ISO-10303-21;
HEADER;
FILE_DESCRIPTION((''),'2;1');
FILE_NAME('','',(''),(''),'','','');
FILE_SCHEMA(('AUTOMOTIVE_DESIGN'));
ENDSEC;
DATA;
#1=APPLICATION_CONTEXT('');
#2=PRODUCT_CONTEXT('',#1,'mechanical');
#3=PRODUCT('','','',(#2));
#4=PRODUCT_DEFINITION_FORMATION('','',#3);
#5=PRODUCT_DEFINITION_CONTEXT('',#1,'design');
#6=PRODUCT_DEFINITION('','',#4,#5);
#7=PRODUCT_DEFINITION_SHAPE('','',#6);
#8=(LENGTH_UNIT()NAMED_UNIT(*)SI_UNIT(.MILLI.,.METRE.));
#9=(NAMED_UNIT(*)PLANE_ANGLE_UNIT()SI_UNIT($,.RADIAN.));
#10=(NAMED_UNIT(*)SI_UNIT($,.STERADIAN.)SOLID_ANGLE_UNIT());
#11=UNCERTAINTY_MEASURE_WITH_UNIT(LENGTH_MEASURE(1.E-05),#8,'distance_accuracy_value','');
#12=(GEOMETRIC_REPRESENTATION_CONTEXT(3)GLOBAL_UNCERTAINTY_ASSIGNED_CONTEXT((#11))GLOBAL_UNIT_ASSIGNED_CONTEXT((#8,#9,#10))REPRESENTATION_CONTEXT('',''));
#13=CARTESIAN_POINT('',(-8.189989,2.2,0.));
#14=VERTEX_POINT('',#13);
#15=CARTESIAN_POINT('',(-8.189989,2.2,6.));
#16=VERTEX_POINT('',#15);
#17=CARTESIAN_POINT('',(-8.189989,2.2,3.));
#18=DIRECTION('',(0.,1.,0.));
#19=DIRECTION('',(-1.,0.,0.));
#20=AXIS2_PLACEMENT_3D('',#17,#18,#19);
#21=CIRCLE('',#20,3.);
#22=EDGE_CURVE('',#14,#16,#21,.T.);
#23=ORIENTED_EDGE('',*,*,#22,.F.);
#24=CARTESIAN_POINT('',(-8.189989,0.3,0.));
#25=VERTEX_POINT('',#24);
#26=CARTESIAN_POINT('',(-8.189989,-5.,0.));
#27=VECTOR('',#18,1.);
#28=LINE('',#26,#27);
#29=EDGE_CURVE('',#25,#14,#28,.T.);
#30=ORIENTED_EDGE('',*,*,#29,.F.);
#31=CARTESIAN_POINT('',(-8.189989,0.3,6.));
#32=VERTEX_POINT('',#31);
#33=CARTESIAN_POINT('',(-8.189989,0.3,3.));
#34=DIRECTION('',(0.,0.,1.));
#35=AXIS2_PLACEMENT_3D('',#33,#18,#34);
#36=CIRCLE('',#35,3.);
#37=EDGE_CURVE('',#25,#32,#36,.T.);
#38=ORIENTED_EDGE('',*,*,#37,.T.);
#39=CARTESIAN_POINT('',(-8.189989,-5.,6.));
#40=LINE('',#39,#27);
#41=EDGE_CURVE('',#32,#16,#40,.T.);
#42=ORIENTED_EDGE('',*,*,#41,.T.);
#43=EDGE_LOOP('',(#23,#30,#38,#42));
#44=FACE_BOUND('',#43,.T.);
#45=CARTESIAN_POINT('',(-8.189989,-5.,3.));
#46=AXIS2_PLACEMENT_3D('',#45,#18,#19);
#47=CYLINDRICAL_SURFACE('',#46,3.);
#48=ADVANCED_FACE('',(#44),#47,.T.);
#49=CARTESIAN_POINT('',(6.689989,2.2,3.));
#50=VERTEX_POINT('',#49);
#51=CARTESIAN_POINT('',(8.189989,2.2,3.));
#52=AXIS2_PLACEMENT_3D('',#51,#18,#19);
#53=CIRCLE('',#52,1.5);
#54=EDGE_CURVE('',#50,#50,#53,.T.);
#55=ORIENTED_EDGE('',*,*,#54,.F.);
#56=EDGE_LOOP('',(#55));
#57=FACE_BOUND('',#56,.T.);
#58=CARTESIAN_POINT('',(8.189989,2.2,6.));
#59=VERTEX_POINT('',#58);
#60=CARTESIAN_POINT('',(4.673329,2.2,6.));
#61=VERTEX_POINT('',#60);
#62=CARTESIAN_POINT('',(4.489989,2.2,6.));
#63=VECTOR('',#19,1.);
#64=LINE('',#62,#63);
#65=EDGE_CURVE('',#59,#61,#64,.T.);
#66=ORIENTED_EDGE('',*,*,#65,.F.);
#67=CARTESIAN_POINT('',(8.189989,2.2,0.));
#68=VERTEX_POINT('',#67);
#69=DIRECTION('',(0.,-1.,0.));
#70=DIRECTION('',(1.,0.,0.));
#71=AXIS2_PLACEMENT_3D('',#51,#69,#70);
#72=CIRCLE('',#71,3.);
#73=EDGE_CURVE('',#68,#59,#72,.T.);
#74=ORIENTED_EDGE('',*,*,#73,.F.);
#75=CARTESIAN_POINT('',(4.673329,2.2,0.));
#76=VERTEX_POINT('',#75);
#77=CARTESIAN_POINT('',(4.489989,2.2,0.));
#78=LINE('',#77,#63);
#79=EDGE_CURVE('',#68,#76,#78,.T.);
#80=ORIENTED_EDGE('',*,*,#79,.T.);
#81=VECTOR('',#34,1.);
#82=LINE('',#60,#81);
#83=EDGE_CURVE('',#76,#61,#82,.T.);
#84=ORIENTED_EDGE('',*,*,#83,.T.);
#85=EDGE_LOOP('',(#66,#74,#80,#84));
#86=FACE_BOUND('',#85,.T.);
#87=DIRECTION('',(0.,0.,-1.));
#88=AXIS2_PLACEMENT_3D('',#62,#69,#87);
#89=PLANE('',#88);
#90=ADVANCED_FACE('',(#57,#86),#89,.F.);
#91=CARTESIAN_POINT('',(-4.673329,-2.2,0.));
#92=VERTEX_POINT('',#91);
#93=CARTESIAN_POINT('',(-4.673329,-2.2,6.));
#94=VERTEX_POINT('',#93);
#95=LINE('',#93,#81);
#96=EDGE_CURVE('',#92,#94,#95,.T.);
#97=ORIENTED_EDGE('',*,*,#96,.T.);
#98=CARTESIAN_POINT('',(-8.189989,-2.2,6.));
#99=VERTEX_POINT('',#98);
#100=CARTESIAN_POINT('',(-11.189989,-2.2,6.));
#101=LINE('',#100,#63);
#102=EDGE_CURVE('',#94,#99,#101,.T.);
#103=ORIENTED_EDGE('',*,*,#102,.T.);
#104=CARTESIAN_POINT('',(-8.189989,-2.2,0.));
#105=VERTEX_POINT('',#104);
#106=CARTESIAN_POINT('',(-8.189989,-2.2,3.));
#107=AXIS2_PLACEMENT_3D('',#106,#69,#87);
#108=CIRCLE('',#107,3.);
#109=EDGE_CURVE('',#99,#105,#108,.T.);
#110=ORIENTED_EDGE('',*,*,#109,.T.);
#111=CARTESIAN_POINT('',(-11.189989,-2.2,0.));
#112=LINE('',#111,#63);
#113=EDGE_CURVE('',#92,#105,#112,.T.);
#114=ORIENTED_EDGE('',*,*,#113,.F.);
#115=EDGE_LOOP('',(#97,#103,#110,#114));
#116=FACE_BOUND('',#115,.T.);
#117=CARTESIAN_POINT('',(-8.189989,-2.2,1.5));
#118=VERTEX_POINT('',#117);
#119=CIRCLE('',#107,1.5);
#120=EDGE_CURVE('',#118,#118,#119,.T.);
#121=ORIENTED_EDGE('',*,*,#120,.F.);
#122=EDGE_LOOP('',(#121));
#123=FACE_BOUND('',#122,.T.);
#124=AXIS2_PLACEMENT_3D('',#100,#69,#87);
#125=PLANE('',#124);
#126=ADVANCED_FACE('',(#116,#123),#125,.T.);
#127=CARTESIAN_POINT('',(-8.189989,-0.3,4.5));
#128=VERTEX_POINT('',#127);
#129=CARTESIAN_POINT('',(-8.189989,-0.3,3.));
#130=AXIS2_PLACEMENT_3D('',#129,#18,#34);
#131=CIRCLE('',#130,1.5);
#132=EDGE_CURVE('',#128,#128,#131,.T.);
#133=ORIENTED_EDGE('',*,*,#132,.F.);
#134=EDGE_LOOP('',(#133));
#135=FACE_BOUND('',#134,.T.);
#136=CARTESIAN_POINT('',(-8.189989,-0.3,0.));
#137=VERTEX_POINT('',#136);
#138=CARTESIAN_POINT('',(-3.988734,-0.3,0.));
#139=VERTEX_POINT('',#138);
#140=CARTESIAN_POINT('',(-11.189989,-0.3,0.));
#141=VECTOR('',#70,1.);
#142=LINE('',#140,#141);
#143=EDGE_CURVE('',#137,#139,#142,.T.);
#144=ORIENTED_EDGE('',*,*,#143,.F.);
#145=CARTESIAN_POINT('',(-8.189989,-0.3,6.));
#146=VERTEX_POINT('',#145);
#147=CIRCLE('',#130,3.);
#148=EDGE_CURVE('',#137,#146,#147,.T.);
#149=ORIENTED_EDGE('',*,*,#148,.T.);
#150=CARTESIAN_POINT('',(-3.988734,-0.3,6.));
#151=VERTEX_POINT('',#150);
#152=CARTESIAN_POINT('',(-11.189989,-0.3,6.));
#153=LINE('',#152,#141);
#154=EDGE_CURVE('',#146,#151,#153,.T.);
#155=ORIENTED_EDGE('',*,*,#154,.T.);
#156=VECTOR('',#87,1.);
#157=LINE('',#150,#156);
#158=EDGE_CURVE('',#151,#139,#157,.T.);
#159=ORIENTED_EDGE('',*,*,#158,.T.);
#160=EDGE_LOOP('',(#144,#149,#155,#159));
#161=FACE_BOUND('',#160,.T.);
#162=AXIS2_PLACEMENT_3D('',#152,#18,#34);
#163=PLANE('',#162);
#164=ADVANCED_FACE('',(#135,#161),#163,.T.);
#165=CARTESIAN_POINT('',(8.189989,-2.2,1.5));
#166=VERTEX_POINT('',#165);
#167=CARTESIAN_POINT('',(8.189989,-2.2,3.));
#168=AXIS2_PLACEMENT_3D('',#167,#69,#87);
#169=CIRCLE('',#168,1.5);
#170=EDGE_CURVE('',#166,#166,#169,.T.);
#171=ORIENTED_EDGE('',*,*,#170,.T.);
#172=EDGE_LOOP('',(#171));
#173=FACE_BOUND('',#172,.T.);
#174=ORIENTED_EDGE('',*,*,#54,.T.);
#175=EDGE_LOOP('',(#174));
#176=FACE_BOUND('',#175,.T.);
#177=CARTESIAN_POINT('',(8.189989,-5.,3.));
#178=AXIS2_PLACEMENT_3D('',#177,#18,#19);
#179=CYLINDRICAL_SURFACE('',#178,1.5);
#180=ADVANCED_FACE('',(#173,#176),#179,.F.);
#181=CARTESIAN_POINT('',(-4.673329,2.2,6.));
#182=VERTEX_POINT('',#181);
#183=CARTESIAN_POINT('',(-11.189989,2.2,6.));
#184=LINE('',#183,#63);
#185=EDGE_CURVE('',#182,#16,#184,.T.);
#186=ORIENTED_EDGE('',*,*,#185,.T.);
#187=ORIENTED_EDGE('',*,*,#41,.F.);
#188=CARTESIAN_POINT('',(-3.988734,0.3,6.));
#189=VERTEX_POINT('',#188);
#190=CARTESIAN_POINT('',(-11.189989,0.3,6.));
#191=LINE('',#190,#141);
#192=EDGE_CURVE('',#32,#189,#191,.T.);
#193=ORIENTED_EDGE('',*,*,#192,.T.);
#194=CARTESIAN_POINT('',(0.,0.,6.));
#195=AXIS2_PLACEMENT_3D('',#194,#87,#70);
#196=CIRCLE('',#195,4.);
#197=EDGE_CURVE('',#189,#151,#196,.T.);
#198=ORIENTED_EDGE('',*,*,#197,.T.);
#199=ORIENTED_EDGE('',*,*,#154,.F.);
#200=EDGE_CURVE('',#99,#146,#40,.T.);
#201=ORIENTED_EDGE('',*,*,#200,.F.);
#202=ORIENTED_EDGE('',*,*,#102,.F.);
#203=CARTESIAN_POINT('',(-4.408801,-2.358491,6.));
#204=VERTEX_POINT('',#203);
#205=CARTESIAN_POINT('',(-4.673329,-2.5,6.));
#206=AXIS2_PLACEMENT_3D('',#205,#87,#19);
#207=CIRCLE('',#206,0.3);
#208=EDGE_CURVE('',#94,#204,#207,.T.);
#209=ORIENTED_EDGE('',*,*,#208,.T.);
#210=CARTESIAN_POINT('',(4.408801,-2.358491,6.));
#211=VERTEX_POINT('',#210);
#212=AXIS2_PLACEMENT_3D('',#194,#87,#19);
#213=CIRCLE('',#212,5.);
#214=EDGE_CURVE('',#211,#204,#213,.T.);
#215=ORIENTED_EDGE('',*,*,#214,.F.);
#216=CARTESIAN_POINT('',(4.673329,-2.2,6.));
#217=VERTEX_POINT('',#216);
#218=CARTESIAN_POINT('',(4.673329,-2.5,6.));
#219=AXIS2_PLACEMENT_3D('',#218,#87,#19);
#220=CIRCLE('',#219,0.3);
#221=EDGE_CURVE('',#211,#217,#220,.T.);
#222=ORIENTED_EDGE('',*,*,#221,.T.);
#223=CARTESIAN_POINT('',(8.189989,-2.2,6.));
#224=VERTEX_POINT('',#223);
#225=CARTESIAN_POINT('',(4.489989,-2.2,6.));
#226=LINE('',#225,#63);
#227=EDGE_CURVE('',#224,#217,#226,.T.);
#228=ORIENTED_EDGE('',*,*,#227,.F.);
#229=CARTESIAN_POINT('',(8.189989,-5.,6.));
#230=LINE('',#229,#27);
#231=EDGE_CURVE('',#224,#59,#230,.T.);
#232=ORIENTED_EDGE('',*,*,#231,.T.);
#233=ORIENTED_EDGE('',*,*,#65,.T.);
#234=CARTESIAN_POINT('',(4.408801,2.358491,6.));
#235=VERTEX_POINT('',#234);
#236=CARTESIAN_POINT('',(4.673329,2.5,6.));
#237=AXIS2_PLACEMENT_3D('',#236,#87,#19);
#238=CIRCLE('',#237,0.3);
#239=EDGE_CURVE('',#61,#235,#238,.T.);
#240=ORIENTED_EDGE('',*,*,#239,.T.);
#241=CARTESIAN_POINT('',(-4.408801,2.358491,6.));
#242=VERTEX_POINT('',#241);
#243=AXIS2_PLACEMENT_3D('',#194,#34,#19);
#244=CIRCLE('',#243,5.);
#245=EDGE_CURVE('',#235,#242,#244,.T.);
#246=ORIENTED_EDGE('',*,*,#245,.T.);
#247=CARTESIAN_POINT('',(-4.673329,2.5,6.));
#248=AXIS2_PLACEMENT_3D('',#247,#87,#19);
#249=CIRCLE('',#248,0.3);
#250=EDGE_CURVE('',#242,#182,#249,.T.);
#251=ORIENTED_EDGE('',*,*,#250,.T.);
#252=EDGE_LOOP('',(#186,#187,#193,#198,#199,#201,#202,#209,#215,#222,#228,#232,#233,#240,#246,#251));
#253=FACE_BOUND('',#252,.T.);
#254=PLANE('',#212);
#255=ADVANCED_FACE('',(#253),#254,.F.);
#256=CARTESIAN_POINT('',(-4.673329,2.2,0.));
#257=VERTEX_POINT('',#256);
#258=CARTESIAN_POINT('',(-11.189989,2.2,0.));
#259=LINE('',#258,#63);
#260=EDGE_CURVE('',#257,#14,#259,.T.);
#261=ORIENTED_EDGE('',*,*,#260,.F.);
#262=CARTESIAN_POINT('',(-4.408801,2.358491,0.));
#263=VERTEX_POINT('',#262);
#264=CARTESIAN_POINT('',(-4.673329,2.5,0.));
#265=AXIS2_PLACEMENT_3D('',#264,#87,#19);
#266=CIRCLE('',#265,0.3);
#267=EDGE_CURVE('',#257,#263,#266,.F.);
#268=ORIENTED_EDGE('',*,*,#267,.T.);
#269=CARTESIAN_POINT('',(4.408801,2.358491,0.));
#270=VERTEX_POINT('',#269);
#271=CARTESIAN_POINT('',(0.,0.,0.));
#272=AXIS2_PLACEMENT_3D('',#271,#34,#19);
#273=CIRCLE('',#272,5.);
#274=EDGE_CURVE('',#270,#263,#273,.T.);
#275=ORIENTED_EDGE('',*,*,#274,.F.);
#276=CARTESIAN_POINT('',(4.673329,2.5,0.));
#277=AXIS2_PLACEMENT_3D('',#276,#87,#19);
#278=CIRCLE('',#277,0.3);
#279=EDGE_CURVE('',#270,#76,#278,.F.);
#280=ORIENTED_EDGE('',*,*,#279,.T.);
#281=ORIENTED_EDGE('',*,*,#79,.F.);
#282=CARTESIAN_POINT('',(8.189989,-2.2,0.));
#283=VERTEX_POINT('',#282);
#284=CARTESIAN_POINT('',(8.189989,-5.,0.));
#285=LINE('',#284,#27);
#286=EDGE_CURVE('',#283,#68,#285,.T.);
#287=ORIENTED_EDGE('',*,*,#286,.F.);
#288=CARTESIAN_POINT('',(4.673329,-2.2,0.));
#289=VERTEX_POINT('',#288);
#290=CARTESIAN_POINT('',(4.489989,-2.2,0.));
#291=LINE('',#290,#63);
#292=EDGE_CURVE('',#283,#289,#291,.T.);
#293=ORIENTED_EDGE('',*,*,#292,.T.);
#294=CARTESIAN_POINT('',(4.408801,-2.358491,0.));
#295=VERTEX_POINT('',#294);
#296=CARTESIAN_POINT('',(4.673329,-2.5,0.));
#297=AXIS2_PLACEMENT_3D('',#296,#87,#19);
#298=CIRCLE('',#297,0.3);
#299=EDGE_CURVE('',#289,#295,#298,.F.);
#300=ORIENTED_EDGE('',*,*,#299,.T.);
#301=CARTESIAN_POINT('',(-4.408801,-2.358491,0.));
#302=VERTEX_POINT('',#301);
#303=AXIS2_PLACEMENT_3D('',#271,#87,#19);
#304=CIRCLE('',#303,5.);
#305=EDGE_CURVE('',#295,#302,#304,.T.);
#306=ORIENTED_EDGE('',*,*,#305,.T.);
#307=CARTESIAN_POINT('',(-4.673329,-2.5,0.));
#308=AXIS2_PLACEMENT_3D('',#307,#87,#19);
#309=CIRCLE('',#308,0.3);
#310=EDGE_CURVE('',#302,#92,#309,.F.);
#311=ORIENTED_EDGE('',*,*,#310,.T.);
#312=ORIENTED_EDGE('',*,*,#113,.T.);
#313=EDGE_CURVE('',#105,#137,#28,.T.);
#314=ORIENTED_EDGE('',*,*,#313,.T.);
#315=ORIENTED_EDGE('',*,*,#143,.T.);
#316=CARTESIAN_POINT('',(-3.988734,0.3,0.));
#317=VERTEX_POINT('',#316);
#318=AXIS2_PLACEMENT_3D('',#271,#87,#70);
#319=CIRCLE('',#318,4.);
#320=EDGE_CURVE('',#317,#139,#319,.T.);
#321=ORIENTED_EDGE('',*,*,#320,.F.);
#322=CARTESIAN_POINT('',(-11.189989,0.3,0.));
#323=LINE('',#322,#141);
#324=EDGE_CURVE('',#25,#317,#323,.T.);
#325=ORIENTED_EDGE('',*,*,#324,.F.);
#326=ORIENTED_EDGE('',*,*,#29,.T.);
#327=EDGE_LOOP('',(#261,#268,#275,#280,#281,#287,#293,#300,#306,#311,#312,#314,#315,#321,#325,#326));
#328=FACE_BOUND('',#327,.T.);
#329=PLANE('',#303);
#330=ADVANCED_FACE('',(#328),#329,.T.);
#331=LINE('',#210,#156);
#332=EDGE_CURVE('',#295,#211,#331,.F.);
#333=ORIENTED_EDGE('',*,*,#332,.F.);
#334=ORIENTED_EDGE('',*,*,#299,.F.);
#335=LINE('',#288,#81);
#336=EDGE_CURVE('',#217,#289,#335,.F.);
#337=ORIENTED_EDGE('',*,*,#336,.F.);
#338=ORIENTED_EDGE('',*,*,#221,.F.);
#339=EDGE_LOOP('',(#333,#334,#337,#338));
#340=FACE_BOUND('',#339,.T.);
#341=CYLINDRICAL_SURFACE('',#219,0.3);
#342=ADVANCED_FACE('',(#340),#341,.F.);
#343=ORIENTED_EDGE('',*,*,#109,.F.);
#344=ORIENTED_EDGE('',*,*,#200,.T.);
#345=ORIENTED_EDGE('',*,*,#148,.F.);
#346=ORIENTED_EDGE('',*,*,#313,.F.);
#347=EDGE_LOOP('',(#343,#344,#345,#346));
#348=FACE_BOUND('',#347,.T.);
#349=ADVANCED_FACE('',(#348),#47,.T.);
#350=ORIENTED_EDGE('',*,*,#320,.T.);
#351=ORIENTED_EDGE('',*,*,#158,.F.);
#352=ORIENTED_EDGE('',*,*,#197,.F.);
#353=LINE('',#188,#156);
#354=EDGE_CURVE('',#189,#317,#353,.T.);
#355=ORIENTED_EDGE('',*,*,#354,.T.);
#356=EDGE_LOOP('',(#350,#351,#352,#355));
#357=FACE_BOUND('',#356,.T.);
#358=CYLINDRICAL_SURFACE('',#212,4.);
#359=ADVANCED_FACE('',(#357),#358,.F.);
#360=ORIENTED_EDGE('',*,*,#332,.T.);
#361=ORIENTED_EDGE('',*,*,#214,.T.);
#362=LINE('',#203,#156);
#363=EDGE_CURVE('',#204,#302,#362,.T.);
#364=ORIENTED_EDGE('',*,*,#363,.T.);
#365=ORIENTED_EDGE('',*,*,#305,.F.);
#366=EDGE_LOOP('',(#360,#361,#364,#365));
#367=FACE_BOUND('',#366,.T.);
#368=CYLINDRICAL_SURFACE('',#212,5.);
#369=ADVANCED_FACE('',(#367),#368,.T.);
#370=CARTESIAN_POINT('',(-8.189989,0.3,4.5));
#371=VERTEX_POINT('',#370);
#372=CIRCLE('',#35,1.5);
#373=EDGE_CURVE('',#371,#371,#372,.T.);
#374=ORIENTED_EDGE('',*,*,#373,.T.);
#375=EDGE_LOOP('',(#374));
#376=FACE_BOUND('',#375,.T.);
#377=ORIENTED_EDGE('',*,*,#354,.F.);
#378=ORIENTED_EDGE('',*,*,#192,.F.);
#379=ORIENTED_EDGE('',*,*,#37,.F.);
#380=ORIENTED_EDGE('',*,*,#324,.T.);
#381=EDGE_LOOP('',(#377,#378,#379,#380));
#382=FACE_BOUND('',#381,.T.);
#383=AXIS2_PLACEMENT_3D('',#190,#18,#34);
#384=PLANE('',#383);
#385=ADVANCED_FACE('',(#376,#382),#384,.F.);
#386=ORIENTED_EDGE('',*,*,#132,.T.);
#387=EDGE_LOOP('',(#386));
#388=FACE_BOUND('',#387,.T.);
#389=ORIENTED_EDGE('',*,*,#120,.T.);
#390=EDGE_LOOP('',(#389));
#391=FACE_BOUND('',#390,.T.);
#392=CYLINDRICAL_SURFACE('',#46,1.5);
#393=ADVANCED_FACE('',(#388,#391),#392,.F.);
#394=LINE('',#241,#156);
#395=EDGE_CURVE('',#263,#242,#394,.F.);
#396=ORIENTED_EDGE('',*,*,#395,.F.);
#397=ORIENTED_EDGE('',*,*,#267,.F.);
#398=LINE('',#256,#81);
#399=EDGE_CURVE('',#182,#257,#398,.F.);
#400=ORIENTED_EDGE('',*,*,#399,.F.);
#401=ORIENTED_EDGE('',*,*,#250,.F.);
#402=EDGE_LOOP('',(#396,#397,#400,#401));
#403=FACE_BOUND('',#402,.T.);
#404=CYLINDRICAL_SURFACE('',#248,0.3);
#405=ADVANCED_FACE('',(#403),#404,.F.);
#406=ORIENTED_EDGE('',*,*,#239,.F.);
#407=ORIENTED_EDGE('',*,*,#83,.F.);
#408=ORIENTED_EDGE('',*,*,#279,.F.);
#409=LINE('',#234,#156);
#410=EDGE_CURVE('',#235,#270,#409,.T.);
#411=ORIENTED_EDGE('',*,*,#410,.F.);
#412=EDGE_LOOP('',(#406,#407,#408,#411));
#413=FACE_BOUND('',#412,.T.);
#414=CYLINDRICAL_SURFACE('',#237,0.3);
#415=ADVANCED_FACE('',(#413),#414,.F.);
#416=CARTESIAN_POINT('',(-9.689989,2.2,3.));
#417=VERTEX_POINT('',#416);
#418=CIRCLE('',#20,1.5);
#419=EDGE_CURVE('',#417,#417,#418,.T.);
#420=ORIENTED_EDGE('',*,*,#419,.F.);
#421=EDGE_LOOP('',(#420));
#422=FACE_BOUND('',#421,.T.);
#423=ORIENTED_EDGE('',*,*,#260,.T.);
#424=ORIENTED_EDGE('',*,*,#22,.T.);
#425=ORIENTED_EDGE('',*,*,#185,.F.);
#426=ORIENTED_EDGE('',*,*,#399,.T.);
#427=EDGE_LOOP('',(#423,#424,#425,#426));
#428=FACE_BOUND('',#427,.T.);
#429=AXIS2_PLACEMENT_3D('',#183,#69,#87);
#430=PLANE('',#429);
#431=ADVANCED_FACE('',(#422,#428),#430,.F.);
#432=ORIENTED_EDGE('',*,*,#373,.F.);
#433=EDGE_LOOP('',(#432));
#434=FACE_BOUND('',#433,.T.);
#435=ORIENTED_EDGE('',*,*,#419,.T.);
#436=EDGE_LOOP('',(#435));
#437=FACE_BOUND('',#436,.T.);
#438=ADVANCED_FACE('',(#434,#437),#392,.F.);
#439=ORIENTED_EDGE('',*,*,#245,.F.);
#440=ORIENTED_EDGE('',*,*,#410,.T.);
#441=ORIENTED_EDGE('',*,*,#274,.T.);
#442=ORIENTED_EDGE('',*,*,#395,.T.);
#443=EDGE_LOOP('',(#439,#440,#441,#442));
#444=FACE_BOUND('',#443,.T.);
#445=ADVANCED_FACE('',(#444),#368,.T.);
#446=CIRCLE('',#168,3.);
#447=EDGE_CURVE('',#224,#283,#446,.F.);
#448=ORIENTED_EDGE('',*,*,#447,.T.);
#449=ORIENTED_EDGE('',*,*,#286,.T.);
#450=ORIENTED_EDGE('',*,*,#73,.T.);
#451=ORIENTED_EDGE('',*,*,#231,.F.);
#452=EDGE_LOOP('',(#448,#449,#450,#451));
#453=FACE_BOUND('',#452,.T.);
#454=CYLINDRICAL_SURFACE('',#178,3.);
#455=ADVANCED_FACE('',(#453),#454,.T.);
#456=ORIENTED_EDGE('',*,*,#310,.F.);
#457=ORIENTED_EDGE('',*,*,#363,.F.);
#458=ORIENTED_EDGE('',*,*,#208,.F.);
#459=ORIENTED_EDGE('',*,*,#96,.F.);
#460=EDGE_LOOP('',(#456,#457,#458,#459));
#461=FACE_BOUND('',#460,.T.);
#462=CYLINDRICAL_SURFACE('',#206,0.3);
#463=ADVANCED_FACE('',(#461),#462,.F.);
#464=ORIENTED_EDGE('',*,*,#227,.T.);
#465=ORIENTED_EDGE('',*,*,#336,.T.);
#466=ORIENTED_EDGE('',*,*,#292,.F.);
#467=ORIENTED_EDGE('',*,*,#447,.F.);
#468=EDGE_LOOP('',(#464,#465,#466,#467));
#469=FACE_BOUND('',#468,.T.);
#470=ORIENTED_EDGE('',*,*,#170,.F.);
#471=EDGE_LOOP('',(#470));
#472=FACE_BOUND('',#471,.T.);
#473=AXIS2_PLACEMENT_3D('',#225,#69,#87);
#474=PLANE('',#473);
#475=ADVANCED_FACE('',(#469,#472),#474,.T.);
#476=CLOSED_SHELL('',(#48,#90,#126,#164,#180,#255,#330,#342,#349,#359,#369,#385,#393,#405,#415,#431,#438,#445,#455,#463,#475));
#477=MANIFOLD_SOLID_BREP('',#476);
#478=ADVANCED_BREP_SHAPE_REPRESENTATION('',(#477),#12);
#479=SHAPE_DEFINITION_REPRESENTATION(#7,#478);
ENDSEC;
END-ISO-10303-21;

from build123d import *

# Parameters (mm, degrees)
EXTRUDE_1_DEPTH     = 6
CUT_EXTRUDE_1_DEPTH = 8.2
SKETCH_4_R          = 1.5
CUT_EXTRUDE_2_DEPTH = 8.2
FILLET_1_R          = 0.3


with BuildPart() as part:
    # 草图2 → 凸台-拉伸1 (new body)
    with BuildSketch(Plane.XY):
        with BuildLine():
            Line((-11.189988864, 0.3), (-11.189988864, 2.2))
            Line((-11.189988864, 2.2), (-4.489988864, 2.2))
            ThreePointArc((-4.489988864, 2.2), (0, 5), (4.489988864, 2.2))
            Line((4.489988864, 2.2), (11.189988864, 2.2))
            Line((11.189988864, 2.2), (11.189988864, 0))
            Line((11.189988864, 0), (4, 0))
            ThreePointArc((4, 0), (0.150105729, 3.997182541), (-3.988734135, 0.3))
            Line((-3.988734135, 0.3), (-11.189988864, 0.3))
        make_face()
    extrude_1 = extrude(amount=EXTRUDE_1_DEPTH)

    # 镜向2: 凸台-拉伸1 across plane
    add(extrude_1.mirror(Plane.ZX))

    # 草图3 → 切除-拉伸1 (cut, through all)
    with BuildSketch(Plane(origin=(0, 2.2, 0), x_dir=(1, 0, 0), z_dir=(0, 1, 0))):
        with BuildLine():
            ThreePointArc((-11.189988864, -3), (-10.311309208, -0.878679656), (-8.189988864, 0))
            Line((-8.189988864, 0), (-11.189988864, 0))
            Line((-11.189988864, 0), (-11.189988864, -3))
        make_face()
        with BuildLine():
            ThreePointArc((-8.189988864, -6), (-10.311309208, -5.121320344), (-11.189988864, -3))
            Line((-11.189988864, -3), (-11.189988864, -6))
            Line((-11.189988864, -6), (-8.189988864, -6))
        make_face()
    cut_extrude_1 = extrude(amount=-CUT_EXTRUDE_1_DEPTH, mode=Mode.SUBTRACT)

    # 镜向1: 切除-拉伸1 across plane
    add(cut_extrude_1.mirror(Plane(origin=(0, 0, 0), x_dir=(0, 0, 1), z_dir=(1, 0, 0))), mode=Mode.SUBTRACT)

    # 草图4 → 切除-拉伸2 (cut, through all)
    with BuildSketch(Plane(origin=(0, 2.2, 0), x_dir=(1, 0, 0), z_dir=(0, 1, 0))):
        with Locations((-8.189988864, -3)):
            Circle(SKETCH_4_R)
        with Locations((8.189988864, -3)):
            Circle(SKETCH_4_R)
    extrude(amount=-CUT_EXTRUDE_2_DEPTH, mode=Mode.SUBTRACT)

    # 圆角1
    fillet_1_edges = [part.edges().sort_by_distance(p)[0] for p in [
        (-4.489988864, 2.2, 3),
        (4.489988864, 2.2, 3),
        (-4.489988864, -2.2, 3),
        (4.489988864, -2.2, 3),
    ]]
    fillet(fillet_1_edges, radius=FILLET_1_R)


solid = part.part
